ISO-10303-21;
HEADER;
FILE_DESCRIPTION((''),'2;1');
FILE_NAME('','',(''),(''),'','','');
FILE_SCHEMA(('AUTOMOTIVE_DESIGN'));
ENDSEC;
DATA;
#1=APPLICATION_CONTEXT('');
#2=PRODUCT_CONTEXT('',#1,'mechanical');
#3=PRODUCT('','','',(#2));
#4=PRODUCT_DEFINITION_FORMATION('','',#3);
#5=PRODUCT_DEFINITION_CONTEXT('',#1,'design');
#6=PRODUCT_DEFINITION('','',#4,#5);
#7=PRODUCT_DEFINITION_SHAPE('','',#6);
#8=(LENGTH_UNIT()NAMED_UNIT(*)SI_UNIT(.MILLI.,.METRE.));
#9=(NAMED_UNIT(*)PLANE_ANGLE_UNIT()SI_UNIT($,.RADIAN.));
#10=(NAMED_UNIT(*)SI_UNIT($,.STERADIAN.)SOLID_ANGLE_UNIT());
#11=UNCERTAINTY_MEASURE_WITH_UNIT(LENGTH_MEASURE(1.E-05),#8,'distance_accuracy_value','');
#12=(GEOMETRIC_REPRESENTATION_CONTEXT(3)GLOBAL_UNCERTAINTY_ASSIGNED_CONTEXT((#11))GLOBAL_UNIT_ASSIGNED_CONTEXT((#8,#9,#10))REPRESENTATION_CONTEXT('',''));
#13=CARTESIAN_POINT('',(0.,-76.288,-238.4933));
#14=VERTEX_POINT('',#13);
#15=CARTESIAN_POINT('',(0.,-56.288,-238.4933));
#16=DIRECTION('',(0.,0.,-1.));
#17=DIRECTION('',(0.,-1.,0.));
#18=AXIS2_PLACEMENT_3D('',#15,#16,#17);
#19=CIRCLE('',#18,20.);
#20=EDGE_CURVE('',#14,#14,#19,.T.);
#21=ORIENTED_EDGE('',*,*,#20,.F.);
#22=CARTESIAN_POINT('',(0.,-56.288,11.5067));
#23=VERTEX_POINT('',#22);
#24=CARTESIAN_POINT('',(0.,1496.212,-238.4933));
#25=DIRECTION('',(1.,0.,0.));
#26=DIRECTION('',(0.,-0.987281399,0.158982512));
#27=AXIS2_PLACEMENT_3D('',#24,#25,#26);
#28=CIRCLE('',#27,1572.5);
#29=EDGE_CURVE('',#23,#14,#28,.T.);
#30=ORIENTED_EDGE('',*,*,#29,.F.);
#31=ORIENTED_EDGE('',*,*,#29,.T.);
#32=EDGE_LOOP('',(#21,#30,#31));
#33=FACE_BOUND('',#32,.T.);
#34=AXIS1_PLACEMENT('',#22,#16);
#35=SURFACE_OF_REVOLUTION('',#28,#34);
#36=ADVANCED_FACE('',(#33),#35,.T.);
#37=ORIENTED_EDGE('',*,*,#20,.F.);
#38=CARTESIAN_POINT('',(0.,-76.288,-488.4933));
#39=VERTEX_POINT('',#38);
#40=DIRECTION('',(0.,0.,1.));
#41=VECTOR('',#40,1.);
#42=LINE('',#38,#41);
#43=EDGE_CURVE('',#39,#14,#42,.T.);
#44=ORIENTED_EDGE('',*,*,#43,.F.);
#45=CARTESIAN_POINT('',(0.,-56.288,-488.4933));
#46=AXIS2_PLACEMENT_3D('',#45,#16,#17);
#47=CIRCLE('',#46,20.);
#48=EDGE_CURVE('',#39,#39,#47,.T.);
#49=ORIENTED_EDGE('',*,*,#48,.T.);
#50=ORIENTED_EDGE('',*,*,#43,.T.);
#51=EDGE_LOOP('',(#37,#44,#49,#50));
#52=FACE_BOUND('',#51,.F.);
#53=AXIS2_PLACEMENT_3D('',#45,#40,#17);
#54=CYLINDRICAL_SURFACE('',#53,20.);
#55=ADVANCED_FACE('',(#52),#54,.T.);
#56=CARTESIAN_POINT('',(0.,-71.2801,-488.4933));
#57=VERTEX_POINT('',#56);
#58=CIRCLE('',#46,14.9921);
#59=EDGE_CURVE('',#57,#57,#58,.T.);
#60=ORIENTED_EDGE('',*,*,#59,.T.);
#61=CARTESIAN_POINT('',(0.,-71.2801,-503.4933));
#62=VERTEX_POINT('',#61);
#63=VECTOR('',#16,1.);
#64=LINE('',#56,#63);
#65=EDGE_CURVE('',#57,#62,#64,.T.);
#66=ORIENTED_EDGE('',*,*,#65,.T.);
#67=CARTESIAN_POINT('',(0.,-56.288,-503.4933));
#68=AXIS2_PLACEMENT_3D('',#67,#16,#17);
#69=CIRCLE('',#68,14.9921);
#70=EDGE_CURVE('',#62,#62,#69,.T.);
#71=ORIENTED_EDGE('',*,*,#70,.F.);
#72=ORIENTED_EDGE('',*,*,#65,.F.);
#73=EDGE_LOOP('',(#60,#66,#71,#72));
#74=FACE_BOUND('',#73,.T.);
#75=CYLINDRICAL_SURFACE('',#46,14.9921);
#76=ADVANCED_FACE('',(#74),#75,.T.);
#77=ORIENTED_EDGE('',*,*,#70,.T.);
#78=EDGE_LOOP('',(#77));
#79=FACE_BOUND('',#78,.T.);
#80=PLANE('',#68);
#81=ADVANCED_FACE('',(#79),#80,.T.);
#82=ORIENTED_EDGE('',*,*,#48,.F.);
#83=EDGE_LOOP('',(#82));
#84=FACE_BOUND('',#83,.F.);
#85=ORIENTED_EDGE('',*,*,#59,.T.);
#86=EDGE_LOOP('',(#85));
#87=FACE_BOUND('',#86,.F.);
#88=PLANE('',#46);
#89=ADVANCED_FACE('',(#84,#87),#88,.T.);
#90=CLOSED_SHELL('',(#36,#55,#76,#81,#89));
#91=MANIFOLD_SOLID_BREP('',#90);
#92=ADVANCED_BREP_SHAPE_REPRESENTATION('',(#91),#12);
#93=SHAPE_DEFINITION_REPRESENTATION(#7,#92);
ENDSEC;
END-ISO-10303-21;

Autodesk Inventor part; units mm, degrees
ref_plane "YZ Plane" through (0, 0, 0) normal (1, 0, 0) x (0, 1, 0)
ref_plane "XZ Plane" through (0, 0, 0) normal (0, 1, 0) x (-1, 0, 0)
ref_plane "XY Plane" through (0, 0, 0) normal (0, 0, 1) x (1, 0, 0)
sketch "Sketch1" plane through (0, 0, 0) normal (1, 0, 0) x (0, 1, 0)
  line L0 (-46.288, -203.2557) -> (-46.288, -703.2557) construction
  line L1 (-56.288, 11.5067) -> (-56.288, -488.4933)
  line L2 (-56.288, -488.4933) -> (-76.288, -488.4933)
  line L3 (-76.288, -488.4933) -> (-76.288, -238.4933)
  arc A0 (-56.288, 11.5067) -> (-76.288, -238.4933) centre (1496.212, -238.4933) ccw
  arc A1 (-46.288, -238.4933) -> (-56.288, 11.5067) centre (-2735.8183, -220.8745) ccw construction
  line L4 (-71.2801, -488.4933) -> (-71.2801, -503.4933)
  line L5 (-71.2801, -503.4933) -> (-56.288, -503.4933)
  line L6 (-56.288, -488.4933) -> (-56.288, -503.4933)
  point P0 (0, 0)
  dimension "d0" = 500
  dimension "d1" = 500
  dimension "d2" = 250
  dimension "d3" = 30
  dimension "d4" = 20
  dimension "d6" = 15
revolve "Revolution1" add sketch "Sketch1" angle 360 about axis through (0, -56.288, 11.5067) along (0, 0, -1)
properties part number "nose cone n2"
